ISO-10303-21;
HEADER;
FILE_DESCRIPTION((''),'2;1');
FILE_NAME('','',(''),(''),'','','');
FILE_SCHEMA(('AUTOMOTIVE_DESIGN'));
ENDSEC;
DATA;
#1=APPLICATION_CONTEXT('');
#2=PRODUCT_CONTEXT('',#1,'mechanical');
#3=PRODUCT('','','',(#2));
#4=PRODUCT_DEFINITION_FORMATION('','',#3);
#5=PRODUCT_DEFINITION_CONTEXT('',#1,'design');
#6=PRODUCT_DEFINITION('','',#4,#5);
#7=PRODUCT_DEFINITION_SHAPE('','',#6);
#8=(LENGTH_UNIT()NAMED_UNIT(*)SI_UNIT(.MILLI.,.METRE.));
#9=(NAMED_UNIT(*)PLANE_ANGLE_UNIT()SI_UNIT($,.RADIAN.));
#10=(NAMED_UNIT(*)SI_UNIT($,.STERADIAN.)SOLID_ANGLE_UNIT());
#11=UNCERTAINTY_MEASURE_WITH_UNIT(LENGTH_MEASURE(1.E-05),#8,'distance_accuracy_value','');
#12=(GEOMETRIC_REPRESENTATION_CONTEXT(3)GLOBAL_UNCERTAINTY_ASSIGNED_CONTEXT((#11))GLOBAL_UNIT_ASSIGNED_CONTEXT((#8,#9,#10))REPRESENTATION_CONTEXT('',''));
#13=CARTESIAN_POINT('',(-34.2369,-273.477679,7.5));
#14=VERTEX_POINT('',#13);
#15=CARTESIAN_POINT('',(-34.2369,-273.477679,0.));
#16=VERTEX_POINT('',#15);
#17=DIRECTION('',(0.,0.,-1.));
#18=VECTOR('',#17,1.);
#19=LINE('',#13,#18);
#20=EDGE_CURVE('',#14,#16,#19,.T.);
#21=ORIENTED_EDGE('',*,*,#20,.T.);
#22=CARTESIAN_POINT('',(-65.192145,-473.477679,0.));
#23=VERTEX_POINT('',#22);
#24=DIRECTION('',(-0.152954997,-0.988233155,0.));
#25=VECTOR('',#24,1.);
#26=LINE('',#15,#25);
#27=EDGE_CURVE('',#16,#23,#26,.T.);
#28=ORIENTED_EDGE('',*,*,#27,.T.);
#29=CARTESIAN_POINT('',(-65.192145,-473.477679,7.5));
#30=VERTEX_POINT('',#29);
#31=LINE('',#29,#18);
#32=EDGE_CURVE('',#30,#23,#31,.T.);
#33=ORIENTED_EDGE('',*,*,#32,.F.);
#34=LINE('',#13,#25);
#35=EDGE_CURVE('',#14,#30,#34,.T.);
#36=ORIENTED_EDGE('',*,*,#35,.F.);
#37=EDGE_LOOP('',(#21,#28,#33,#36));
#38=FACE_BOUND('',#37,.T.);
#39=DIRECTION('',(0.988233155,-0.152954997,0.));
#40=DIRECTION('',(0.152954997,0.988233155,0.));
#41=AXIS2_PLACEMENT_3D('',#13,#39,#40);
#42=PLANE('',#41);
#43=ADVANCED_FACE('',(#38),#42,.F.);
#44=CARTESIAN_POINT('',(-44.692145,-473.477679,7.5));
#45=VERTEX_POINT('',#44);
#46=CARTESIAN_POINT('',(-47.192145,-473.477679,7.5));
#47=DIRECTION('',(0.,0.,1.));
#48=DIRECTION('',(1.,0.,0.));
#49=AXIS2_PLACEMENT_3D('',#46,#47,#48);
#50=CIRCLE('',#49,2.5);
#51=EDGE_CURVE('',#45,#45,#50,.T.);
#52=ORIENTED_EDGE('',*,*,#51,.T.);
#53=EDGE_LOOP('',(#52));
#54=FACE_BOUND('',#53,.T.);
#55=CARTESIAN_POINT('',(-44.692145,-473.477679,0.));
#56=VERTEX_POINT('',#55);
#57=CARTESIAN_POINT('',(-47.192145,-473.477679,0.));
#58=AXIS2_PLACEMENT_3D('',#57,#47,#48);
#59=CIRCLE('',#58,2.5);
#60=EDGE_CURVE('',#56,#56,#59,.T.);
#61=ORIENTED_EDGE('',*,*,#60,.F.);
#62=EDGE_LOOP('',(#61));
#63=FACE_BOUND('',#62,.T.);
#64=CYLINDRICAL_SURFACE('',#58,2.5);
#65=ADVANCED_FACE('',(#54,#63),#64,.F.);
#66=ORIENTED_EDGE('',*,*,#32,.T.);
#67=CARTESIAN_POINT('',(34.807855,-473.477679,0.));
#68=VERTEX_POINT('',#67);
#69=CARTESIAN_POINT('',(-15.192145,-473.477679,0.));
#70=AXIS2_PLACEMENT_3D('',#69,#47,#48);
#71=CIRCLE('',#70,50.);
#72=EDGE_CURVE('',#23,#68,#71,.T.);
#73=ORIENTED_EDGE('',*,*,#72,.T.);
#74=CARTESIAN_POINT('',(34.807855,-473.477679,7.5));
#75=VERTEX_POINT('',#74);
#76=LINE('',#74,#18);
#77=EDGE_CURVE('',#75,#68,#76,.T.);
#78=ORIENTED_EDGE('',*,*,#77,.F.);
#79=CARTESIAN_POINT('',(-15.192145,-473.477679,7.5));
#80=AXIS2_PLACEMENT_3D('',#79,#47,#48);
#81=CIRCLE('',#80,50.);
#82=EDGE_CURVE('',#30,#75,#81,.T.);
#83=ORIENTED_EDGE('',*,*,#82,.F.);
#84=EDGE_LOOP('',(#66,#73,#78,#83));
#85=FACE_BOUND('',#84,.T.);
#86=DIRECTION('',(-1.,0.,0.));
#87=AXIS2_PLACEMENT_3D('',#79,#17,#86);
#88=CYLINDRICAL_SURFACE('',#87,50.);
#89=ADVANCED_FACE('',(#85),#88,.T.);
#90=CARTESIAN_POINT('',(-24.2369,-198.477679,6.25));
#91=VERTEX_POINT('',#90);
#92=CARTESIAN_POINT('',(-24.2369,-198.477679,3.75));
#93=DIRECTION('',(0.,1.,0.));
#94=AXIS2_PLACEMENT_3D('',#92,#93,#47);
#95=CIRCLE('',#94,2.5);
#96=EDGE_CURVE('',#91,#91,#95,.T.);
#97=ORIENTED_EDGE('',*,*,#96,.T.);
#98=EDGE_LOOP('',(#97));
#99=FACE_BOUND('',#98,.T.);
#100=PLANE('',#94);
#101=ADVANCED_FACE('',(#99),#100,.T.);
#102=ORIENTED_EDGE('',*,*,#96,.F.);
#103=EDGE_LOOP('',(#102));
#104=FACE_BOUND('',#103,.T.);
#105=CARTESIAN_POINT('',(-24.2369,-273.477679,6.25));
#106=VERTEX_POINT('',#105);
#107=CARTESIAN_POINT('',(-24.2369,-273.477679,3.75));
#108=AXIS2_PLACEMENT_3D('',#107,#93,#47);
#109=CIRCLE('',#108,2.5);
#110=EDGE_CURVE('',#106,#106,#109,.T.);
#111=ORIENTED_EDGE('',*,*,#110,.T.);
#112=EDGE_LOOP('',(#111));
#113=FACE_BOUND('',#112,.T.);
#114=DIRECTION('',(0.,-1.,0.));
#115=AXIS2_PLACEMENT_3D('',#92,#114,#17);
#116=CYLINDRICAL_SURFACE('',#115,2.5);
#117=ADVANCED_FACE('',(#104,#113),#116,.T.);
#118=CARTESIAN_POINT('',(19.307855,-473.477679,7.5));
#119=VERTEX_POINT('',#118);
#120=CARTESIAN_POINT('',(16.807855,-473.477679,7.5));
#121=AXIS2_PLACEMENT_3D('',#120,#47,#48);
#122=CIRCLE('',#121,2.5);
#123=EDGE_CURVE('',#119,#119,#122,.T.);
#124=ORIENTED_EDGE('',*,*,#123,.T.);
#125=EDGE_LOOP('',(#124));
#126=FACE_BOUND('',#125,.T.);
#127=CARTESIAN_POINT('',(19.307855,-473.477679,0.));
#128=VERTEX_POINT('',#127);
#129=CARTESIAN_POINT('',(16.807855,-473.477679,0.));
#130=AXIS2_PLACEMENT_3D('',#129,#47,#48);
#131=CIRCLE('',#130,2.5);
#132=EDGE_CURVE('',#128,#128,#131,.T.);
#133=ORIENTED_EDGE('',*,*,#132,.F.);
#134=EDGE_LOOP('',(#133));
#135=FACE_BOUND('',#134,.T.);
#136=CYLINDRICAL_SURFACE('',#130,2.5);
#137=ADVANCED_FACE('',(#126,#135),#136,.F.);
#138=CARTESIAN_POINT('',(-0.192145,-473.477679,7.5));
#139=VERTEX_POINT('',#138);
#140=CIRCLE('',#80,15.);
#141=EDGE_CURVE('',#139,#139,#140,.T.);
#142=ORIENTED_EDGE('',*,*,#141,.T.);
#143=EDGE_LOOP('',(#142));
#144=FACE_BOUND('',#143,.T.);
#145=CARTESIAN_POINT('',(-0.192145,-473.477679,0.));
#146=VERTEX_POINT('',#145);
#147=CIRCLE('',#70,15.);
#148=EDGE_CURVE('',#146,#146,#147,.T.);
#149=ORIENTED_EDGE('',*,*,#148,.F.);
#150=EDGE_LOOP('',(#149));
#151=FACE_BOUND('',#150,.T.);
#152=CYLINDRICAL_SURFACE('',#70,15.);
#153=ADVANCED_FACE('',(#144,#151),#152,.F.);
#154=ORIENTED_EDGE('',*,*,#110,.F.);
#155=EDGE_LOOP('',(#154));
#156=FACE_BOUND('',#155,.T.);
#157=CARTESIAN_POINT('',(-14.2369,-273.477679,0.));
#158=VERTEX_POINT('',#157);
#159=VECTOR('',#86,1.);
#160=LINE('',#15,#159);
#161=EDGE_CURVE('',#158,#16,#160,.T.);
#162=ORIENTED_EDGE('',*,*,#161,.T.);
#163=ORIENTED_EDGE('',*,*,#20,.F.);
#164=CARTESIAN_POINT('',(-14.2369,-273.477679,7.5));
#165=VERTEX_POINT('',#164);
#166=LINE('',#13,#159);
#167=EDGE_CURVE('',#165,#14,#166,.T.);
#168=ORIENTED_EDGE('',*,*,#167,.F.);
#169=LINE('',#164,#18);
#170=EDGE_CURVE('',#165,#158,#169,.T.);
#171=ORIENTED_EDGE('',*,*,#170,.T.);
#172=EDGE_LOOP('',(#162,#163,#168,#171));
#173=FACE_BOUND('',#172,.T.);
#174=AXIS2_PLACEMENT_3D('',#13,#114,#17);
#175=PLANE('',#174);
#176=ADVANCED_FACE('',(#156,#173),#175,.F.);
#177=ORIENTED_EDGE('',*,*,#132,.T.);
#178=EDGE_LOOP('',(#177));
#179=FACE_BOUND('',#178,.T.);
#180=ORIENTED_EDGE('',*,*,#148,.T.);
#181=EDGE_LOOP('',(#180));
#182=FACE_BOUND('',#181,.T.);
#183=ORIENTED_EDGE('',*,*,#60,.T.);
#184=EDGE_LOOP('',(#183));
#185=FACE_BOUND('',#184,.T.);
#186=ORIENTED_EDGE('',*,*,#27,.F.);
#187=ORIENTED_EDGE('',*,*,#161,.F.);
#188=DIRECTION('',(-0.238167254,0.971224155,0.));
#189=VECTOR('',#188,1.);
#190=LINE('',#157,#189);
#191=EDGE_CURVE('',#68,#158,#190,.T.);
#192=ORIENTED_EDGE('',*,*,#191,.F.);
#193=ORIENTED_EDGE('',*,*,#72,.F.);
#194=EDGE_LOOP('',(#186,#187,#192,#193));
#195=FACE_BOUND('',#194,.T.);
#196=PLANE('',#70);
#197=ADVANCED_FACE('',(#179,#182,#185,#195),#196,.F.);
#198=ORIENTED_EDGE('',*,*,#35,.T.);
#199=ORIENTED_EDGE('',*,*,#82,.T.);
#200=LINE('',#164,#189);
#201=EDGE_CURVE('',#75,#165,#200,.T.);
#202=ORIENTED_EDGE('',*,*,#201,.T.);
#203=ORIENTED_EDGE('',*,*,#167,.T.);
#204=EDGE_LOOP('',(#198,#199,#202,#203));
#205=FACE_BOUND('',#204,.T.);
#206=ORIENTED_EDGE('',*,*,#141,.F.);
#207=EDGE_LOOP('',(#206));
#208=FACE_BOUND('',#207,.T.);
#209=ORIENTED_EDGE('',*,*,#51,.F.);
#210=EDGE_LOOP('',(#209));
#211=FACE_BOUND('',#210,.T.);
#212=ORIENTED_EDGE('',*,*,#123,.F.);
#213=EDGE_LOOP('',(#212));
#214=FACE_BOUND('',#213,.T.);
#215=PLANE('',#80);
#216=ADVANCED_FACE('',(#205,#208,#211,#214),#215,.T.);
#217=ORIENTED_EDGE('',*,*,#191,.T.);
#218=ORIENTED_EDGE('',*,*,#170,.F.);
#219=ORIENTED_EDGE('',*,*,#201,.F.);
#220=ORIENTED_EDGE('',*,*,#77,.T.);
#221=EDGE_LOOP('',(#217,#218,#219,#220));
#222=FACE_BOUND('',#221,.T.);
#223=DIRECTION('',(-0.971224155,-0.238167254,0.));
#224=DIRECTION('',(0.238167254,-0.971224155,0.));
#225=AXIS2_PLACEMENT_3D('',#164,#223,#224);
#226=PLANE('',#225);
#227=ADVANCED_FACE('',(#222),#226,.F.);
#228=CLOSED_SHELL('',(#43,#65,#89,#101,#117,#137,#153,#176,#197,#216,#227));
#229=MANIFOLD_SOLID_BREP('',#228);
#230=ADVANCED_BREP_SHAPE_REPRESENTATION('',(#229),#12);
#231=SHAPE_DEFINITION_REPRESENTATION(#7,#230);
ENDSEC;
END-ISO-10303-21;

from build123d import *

# Parameters (mm, degrees)
BOSS_EXTRUDE1_DEPTH = 7.5
SKETCH3_R           = 2.5
BOSS_EXTRUDE2_DEPTH = 75
SKETCH4_R           = 15
SKETCH4_R_2         = 2.5
CUT_EXTRUDE1_DEPTH  = 528.574777612


with BuildPart() as part:
    # Sketch1 → Boss-Extrude1 (new body)
    with BuildSketch(Plane.XY):
        with BuildLine():
            Line((-34.236900243, -273.477678772), (-14.236900243, -273.477678772))
            Line((-14.236900243, -273.477678772), (34.807854774, -473.477678772))
            ThreePointArc((34.807854774, -473.477678772), (-15.192145226, -523.477678772), (-65.192145226, -473.477678772))
            Line((-65.192145226, -473.477678772), (-34.236900243, -273.477678772))
        make_face()
    extrude(amount=BOSS_EXTRUDE1_DEPTH)

    # Sketch3 → Boss-Extrude2 (add)
    with BuildSketch(Plane(origin=(0, -273.477678772, 0), x_dir=(1, 0, 0), z_dir=(0, 1, 0))):
        with Locations(Location((-24.236900243, -3.75, 0), (0, 0, 270))):
            Circle(SKETCH3_R)
    extrude(amount=BOSS_EXTRUDE2_DEPTH)

    # Sketch4 → Cut-Extrude1 (cut, through all)
    with BuildSketch(Plane.XY.offset(7.5)):
        with Locations((-15.192145226, -473.477678772)):
            Circle(SKETCH4_R)
        with Locations((16.807854774, -473.477678772)):
            Circle(SKETCH4_R_2)
        with Locations((-47.192145226, -473.477678772)):
            Circle(SKETCH4_R_2)
    extrude(amount=-CUT_EXTRUDE1_DEPTH, mode=Mode.SUBTRACT)


solid = part.part
